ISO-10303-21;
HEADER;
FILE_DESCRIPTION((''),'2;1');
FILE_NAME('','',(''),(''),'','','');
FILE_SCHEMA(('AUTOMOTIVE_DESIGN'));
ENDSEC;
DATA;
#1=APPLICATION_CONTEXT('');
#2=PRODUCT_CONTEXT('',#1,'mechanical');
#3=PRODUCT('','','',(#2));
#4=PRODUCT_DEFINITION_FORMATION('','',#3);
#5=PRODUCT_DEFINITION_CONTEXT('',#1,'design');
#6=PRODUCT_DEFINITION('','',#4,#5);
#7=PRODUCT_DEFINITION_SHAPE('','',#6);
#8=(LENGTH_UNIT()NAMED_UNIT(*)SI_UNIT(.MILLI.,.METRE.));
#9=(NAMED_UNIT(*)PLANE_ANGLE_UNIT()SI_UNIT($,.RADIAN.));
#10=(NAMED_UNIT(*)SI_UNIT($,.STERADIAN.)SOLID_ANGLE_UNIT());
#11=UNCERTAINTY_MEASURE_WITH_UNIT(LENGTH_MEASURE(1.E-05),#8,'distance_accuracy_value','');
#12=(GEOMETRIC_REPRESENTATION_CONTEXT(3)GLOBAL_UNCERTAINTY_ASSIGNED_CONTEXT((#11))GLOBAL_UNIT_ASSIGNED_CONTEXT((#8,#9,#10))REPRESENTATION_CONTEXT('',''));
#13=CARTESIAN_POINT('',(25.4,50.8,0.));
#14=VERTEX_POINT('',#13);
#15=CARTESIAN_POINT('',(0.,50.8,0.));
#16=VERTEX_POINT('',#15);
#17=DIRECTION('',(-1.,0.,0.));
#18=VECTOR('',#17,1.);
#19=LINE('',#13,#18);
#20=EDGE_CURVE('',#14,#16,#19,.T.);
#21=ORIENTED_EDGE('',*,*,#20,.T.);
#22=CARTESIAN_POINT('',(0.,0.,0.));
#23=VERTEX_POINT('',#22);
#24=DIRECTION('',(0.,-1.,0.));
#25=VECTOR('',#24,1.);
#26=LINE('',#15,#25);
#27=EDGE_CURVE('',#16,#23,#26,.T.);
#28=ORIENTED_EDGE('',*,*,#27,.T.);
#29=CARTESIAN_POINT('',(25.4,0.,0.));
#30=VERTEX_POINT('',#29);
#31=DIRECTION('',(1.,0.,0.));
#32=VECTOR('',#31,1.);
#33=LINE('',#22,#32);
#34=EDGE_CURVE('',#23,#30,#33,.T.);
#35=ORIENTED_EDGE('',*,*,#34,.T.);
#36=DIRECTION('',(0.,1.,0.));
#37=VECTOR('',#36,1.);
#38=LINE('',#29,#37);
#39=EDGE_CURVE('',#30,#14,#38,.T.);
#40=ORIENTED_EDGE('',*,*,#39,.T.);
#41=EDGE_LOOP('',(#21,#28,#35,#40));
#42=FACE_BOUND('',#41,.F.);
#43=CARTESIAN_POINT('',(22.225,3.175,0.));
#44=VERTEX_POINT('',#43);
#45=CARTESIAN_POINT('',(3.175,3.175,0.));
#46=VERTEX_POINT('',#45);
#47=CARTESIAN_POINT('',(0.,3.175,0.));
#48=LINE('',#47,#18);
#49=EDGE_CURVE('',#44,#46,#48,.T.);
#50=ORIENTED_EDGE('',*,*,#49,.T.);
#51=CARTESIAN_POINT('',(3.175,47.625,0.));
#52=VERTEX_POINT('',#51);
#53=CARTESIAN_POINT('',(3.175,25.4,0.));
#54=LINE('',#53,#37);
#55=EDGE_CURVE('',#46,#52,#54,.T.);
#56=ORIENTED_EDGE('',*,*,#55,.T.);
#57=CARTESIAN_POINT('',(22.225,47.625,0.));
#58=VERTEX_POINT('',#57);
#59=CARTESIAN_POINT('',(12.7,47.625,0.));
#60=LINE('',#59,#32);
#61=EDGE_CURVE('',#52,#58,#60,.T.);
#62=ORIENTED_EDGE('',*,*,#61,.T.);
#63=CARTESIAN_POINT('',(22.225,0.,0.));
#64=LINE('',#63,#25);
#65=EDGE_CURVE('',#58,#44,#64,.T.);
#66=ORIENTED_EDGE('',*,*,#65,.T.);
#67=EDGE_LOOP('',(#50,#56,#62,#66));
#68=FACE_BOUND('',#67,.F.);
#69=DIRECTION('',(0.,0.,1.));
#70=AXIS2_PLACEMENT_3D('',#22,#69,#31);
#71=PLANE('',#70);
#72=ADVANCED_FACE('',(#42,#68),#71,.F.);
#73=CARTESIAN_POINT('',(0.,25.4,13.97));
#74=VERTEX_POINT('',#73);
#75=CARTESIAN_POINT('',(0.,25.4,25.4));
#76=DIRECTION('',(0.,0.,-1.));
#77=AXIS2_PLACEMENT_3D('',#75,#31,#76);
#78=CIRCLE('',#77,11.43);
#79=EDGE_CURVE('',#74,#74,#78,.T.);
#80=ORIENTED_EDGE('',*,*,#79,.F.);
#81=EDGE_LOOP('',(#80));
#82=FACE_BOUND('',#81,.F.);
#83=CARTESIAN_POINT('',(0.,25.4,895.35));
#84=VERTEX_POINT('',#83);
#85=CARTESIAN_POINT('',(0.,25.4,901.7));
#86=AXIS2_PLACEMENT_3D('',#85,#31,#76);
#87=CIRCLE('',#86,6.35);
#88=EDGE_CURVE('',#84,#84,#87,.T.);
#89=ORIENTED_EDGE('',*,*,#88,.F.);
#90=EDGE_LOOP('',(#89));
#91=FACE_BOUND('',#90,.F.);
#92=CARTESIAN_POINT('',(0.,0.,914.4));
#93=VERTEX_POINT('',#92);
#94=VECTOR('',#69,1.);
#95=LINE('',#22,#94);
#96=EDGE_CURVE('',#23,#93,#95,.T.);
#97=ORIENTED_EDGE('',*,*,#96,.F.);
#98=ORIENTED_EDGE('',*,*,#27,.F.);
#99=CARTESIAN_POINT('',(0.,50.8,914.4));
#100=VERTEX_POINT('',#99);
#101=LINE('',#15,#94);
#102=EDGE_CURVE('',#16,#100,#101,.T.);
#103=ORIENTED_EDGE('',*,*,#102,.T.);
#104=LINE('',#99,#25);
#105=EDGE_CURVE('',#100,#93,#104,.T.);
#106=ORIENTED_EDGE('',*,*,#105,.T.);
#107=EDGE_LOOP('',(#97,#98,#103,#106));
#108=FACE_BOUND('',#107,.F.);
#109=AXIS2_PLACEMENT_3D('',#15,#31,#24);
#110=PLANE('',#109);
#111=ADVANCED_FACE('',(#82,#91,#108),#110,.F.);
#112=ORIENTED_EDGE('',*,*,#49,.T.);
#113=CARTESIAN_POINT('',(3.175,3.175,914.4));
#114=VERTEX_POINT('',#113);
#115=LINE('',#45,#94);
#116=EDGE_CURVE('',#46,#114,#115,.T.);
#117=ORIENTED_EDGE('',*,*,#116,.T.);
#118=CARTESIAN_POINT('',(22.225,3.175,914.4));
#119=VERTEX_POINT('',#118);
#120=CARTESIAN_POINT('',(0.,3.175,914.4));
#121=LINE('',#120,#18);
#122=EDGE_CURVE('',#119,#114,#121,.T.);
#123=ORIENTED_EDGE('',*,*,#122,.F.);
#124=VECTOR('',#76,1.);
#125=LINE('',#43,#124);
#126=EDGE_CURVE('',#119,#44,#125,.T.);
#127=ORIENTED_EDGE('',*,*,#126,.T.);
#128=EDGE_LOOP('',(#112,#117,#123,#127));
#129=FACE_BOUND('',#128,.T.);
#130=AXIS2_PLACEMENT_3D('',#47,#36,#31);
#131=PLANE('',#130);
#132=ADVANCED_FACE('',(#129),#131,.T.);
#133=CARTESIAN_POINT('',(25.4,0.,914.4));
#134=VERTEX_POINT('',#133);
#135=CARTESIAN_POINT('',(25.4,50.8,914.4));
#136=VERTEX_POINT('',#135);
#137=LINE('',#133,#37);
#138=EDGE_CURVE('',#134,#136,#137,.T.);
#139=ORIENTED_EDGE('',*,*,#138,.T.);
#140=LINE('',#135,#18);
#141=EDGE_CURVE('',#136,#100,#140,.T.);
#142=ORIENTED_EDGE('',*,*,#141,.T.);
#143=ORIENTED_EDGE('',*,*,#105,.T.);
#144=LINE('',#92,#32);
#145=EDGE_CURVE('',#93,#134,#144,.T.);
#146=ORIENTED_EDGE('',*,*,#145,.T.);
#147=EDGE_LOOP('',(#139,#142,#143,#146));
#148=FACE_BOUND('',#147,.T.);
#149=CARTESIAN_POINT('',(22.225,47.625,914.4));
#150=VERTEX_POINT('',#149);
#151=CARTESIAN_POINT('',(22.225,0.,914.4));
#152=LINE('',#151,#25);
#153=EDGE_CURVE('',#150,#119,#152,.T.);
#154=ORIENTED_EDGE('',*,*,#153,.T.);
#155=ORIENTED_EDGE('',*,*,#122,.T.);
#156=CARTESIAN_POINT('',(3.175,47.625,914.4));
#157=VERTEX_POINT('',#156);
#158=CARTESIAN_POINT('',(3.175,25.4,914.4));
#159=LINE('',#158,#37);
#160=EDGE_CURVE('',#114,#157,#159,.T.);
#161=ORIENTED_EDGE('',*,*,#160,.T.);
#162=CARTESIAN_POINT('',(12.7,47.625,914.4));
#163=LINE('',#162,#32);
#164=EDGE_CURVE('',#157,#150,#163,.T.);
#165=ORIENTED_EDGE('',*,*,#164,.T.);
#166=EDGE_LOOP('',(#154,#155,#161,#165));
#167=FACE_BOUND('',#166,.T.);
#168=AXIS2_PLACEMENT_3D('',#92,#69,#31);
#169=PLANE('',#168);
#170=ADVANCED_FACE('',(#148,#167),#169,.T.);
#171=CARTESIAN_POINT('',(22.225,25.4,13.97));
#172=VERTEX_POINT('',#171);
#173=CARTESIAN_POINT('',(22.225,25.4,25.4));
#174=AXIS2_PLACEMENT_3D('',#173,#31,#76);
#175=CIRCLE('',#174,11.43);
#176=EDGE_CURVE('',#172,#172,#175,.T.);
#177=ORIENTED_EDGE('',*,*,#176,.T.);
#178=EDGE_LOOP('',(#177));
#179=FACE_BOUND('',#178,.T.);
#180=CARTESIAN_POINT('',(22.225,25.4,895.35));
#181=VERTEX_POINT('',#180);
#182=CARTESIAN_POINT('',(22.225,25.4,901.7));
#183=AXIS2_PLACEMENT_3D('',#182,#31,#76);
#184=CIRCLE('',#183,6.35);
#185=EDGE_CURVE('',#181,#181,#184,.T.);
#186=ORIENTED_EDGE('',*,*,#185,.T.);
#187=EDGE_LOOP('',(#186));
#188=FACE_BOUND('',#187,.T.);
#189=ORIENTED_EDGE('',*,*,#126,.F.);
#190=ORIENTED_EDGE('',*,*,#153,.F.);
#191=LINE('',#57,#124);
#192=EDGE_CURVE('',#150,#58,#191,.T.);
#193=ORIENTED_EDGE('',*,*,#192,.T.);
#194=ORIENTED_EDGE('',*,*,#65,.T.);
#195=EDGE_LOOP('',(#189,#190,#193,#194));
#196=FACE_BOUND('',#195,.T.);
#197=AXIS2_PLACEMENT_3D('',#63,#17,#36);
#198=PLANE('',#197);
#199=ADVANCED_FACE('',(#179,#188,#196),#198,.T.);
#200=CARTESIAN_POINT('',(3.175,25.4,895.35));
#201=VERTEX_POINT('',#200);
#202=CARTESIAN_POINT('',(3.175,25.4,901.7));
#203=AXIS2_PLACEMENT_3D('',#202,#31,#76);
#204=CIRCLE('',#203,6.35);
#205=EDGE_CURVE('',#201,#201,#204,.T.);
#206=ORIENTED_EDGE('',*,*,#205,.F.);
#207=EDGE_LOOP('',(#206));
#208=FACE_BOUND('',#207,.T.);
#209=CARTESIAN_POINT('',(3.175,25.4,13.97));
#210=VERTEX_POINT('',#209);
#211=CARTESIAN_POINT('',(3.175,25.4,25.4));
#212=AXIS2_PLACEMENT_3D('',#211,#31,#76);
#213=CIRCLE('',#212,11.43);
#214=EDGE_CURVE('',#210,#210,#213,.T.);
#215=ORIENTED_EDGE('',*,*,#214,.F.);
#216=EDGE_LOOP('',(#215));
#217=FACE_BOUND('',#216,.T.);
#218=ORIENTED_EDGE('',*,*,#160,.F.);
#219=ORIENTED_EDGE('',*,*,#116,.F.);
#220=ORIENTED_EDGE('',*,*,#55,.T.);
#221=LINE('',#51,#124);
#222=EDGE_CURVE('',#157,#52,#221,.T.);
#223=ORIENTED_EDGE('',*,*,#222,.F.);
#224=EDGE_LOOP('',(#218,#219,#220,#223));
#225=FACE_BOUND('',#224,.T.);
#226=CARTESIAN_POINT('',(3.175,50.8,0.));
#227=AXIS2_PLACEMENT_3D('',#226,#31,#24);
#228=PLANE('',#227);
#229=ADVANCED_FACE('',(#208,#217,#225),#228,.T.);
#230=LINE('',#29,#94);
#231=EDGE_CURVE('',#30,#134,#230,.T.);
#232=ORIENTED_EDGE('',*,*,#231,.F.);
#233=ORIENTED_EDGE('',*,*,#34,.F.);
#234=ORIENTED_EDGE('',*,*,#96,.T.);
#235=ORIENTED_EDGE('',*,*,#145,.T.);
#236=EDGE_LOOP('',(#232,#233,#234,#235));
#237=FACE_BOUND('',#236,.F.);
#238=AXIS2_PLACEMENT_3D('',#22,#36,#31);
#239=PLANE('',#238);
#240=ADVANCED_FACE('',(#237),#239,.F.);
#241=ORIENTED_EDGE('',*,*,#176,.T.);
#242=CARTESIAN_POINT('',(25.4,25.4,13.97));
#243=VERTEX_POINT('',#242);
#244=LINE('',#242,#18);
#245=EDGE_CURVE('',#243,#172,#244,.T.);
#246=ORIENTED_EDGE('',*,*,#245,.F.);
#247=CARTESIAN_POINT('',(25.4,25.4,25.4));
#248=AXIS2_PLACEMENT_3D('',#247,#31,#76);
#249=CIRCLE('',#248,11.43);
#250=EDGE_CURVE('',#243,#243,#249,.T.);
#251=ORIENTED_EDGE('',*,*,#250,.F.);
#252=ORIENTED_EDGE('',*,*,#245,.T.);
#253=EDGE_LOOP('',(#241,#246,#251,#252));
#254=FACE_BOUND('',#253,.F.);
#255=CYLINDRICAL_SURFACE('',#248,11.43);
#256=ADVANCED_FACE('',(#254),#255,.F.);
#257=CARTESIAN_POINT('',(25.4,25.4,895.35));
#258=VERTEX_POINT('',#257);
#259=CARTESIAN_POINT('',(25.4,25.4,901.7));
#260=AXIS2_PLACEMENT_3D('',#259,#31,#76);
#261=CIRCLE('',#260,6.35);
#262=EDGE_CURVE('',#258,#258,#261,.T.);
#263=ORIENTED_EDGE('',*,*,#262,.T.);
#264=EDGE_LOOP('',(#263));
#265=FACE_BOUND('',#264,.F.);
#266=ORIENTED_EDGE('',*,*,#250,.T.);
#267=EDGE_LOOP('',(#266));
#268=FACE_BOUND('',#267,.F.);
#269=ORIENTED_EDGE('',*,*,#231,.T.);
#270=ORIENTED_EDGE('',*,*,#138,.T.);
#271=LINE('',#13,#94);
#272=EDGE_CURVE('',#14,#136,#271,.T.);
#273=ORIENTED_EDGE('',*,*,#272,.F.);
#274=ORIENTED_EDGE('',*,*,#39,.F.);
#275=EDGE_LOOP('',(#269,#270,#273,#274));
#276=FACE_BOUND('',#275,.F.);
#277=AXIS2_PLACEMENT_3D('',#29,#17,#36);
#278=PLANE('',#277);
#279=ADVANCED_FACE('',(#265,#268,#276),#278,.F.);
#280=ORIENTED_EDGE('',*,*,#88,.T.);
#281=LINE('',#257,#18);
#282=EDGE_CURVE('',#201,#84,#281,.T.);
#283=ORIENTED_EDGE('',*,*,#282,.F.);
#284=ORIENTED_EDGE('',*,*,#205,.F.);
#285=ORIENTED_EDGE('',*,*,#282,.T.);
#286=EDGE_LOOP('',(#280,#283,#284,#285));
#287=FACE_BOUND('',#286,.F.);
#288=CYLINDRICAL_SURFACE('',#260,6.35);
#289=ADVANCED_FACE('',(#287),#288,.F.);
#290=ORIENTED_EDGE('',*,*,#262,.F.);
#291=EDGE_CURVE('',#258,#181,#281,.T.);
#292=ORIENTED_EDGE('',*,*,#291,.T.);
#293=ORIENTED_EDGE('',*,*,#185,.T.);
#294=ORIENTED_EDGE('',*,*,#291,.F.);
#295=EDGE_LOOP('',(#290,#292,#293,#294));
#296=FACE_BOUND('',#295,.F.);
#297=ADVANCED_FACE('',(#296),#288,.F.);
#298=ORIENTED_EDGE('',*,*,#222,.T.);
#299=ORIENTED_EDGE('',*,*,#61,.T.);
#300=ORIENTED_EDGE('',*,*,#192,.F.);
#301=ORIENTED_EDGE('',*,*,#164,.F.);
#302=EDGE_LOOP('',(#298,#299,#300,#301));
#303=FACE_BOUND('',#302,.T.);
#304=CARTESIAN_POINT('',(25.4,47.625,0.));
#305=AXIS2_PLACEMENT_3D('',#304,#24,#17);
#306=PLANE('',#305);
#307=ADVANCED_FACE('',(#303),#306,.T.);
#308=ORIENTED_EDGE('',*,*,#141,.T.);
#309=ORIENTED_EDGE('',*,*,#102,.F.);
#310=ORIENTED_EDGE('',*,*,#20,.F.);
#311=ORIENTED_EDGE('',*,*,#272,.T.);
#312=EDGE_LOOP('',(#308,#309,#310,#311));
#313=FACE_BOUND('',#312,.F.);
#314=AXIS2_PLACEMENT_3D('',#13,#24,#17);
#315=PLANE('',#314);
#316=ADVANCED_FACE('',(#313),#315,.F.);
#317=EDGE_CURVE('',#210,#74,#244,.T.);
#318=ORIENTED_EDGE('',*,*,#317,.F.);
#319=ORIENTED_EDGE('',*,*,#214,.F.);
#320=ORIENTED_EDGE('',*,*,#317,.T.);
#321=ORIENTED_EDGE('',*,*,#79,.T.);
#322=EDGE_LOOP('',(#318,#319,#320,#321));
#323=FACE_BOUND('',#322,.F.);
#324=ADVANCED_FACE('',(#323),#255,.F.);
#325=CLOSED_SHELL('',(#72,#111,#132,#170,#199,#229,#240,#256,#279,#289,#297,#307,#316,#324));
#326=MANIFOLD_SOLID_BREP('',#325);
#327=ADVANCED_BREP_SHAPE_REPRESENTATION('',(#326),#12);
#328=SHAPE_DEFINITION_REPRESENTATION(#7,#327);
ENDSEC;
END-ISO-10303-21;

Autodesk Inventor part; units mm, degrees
ref_plane "YZ Plane" through (0, 0, 0) normal (1, 0, 0) x (0, 1, 0)
ref_plane "XZ Plane" through (0, 0, 0) normal (0, 1, 0) x (-1, 0, 0)
ref_plane "XY Plane" through (0, 0, 0) normal (0, 0, 1) x (1, 0, 0)
sketch "Sketch1" plane through (0, 0, 0) normal (0, 0, 1) x (1, 0, 0)
  line L0 (0, 0) -> (25.4, 0)
  line L1 (25.4, 0) -> (25.4, 50.8)
  line L2 (25.4, 50.8) -> (0, 50.8)
  line L3 (0, 50.8) -> (0, 0)
  dimension "d0" = 25.4
  dimension "d1" = 50.8
extrude "Extrusion1" add sketch "Sketch1" along normal blind 914.4
shell "Shell1" thickness 3.175 removed faces 2 at (8.4667, 16.9333, 0) at (8.4667, 16.9333, 914.4)
sketch "Sketch2" plane through (25.4, 0, 0) normal (1, 0, 0) x (0, 0, -1)
  circle A0 centre (-25.4, 25.4) radius 11.43
  line L0 (0, 50.8) -> (-914.4, 50.8) projected
  line L1 (0, 0) -> (0, 50.8) projected
  circle A1 centre (-901.7, 25.4) radius 6.35
  line L2 (-914.4, 0) -> (-914.4, 50.8) projected
  dimension "d5" = 22.86
  dimension "d6" = 25.4
  dimension "d7" = 25.4
  dimension "d10" = 12.7
  dimension "d11" = 25.4
  dimension "d12" = 12.7
extrude "Extrusion2" cut sketch "Sketch2" against normal blind 25.4
properties part number "Kermit Frame 17"
